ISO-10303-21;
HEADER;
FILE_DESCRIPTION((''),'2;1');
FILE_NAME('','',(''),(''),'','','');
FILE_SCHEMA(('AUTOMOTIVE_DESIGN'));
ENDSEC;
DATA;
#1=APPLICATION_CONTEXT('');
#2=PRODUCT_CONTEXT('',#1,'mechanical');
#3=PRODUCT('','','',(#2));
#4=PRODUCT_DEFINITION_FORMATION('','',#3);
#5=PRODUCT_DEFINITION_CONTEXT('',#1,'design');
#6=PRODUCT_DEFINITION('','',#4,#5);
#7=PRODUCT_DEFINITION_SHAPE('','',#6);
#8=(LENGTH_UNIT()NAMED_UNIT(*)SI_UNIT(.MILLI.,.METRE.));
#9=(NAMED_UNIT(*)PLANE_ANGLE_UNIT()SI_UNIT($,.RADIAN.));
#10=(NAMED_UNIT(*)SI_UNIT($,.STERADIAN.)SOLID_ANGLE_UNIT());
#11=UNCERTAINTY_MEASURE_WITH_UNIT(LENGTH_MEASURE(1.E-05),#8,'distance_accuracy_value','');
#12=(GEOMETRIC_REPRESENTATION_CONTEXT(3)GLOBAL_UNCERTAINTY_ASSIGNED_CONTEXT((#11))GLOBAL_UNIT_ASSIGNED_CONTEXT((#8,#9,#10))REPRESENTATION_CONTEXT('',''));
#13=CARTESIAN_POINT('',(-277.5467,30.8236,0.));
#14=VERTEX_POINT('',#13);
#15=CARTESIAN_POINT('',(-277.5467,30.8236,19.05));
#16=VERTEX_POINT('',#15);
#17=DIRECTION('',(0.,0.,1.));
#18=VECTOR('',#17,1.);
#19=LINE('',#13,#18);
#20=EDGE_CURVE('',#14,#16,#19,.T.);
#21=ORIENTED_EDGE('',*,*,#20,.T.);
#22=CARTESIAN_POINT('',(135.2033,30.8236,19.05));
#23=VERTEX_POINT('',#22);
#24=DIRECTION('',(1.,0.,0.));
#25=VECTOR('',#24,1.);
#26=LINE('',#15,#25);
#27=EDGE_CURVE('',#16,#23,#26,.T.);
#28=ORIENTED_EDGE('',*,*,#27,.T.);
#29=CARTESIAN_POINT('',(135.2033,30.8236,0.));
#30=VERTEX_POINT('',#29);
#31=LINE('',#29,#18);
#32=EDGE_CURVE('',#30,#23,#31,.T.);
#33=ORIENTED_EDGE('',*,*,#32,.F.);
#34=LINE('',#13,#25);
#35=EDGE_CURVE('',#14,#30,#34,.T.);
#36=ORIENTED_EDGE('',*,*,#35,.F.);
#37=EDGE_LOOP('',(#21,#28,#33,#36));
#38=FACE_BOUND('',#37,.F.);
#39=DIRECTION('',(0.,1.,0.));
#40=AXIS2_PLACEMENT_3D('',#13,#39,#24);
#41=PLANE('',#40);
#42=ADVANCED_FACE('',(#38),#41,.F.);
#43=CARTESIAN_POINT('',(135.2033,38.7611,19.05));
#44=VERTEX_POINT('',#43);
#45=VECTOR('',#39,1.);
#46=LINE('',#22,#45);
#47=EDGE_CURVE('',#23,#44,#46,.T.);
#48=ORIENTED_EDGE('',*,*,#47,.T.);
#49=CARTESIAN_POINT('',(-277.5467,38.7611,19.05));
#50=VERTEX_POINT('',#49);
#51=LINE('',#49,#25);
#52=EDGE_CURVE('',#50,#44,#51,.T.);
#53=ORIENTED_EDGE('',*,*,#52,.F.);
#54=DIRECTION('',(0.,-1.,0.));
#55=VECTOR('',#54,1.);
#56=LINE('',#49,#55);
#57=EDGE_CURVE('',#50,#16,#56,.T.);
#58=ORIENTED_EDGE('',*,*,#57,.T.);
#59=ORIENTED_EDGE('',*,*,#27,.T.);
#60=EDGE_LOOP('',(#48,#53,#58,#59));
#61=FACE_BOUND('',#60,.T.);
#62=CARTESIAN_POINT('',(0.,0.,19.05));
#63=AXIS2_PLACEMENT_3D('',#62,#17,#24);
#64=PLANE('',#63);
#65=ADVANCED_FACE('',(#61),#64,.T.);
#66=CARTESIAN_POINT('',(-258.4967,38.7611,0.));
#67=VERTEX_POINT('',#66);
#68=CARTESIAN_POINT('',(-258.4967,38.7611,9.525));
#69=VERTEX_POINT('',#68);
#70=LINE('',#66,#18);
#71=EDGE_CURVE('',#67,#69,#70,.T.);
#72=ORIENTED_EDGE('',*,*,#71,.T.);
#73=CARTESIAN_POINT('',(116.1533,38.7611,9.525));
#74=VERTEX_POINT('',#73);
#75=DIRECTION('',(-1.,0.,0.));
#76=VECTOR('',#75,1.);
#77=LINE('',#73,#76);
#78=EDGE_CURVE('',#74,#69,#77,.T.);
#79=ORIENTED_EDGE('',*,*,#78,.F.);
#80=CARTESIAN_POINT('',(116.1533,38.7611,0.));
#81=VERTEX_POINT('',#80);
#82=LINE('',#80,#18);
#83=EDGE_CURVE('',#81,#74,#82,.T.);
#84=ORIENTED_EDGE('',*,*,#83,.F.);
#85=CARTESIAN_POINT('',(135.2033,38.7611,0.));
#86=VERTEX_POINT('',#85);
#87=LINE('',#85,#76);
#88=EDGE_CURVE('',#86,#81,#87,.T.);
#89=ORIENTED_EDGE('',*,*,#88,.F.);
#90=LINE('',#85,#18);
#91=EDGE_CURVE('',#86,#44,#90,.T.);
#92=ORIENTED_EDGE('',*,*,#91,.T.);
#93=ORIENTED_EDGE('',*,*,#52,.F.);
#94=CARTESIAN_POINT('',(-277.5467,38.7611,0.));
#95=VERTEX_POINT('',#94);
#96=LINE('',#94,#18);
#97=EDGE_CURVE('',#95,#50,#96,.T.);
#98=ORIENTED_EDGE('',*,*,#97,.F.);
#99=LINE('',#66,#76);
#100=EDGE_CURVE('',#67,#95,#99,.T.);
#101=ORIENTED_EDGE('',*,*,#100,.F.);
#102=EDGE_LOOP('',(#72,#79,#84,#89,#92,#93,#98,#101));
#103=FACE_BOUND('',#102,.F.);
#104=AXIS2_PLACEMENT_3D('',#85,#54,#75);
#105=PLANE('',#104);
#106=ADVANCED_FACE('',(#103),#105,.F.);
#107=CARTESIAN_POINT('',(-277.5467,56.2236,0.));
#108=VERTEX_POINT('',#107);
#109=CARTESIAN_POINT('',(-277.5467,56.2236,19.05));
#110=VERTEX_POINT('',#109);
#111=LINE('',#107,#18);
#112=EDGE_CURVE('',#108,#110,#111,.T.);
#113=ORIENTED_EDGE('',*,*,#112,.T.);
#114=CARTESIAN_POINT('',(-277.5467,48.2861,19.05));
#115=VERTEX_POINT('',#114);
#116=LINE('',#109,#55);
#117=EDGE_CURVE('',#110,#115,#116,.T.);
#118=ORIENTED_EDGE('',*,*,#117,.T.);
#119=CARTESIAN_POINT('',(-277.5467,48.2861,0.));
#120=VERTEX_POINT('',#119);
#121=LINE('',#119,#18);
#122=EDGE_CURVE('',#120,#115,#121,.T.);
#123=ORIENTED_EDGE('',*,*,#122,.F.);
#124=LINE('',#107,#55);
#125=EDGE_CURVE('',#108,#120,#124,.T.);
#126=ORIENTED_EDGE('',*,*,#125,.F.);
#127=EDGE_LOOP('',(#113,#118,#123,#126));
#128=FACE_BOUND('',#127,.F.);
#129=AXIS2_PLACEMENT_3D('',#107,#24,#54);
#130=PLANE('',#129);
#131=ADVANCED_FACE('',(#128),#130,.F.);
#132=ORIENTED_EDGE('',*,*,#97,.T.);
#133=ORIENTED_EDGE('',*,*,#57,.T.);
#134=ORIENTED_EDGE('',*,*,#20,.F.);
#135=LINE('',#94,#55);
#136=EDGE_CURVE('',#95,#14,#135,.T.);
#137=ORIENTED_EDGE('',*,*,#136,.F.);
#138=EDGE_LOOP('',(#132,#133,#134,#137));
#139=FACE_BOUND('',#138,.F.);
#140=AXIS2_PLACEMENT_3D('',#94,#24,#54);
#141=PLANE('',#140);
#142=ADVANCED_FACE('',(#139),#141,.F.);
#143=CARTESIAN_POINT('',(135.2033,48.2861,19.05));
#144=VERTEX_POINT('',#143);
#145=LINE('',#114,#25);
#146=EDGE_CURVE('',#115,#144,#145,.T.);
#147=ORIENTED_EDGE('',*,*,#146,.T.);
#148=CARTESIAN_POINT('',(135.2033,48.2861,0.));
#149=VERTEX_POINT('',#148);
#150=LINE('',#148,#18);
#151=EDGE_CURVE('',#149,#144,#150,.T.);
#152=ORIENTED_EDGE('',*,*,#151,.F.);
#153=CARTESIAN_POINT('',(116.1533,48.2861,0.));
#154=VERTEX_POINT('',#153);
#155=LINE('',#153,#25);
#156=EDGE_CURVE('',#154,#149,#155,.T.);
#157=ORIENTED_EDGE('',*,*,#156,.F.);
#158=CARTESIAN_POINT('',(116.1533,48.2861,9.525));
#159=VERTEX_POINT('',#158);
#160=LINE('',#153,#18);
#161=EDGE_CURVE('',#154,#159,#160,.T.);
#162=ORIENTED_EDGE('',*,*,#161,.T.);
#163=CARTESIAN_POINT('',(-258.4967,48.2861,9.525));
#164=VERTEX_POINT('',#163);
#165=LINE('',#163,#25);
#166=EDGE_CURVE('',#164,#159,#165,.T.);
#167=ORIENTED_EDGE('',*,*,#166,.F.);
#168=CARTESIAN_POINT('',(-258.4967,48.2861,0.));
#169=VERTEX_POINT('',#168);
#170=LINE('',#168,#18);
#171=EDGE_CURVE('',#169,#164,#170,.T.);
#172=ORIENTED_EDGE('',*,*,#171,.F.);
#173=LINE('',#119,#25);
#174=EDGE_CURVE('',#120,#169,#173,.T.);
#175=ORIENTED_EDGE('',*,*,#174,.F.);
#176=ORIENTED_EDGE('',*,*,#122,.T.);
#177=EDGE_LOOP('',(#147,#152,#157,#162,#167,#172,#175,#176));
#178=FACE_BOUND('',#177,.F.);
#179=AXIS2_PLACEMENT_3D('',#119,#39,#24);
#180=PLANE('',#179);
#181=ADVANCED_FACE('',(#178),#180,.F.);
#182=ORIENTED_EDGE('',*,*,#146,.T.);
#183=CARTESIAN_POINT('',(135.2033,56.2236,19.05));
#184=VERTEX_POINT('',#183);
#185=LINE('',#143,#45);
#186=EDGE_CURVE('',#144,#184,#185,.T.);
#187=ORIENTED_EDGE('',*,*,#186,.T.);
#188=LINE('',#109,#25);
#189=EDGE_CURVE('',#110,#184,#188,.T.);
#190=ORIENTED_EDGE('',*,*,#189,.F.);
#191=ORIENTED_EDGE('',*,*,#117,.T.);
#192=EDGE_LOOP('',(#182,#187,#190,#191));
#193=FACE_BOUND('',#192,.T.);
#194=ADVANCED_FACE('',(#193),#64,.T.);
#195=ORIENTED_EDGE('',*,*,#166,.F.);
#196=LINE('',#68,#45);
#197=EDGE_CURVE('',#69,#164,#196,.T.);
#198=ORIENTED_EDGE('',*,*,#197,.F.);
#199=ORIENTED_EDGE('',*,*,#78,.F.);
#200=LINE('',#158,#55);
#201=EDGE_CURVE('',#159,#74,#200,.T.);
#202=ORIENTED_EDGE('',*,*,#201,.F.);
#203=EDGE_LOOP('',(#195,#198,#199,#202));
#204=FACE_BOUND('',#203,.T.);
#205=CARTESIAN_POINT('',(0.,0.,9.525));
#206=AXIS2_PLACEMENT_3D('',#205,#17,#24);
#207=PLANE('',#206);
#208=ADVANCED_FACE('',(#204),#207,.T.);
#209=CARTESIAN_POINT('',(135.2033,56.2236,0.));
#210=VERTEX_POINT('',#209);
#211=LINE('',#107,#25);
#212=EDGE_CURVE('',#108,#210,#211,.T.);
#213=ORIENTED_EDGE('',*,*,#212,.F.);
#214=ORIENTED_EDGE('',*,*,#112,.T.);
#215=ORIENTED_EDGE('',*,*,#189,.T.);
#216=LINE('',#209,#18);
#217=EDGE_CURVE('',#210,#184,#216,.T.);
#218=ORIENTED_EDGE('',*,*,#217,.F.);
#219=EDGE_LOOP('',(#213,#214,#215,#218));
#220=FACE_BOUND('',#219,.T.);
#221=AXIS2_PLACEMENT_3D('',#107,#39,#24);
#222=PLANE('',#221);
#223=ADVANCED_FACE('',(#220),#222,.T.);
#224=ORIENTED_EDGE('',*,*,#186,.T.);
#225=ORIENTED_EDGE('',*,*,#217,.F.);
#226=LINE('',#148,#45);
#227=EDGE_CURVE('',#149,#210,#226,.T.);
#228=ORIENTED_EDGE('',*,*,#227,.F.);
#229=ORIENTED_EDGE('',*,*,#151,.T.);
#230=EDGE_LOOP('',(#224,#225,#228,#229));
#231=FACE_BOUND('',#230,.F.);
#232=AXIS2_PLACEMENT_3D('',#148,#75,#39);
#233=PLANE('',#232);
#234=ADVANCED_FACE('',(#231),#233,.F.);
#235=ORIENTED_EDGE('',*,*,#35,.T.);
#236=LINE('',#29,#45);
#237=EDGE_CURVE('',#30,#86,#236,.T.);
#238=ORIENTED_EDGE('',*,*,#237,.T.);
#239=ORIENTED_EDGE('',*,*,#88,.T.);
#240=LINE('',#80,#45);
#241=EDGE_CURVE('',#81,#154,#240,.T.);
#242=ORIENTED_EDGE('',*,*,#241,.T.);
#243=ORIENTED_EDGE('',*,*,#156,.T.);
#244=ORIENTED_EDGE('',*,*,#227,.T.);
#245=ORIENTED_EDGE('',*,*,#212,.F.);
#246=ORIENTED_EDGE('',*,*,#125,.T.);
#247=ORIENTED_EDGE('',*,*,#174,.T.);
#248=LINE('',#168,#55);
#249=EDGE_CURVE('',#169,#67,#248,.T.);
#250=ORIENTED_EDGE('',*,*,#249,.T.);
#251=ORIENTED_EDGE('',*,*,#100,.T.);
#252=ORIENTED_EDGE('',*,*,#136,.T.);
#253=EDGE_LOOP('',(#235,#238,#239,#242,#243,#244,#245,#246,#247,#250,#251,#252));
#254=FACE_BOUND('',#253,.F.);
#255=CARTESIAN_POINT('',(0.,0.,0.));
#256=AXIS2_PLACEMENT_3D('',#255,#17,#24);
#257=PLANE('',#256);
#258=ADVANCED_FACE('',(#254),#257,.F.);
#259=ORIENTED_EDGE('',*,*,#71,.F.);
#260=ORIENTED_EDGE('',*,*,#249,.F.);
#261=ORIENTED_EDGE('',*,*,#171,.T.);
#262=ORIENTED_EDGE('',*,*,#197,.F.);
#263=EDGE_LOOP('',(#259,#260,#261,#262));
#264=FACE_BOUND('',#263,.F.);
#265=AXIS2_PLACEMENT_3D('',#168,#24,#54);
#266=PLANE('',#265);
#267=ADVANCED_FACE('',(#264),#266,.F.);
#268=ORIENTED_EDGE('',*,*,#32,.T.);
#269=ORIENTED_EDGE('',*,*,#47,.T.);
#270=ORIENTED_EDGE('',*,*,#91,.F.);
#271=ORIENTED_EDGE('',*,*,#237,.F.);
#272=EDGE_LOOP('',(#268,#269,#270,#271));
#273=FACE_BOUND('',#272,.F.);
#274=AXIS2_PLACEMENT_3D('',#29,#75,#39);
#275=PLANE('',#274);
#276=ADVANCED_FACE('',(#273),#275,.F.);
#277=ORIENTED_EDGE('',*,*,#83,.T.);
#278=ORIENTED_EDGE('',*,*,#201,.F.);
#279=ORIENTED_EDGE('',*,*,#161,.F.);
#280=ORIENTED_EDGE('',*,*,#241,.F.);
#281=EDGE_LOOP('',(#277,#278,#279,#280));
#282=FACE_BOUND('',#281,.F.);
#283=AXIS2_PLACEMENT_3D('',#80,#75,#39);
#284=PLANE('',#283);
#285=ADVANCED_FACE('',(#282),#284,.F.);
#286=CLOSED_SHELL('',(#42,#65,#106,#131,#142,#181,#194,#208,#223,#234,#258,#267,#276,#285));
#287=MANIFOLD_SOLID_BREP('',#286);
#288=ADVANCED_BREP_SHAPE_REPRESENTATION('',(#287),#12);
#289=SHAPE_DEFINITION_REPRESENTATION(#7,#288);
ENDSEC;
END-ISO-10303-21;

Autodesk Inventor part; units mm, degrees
ref_plane "YZ Plane" through (0, 0, 0) normal (1, 0, 0) x (0, 1, 0)
ref_plane "XZ Plane" through (0, 0, 0) normal (0, 1, 0) x (-1, 0, 0)
ref_plane "XY Plane" through (0, 0, 0) normal (0, 0, 1) x (1, 0, 0)
sketch "Sketch1" plane through (0, 0, 0) normal (0, 0, 1) x (1, 0, 0)
  line L0 (-277.5467, 56.2236) -> (135.2033, 56.2236)
  line L1 (-277.5467, 56.2236) -> (-277.5467, 48.2861)
  line L2 (-277.5467, 48.2861) -> (-258.4967, 48.2861)
  line L3 (-258.4967, 48.2861) -> (-258.4967, 38.7611)
  line L4 (-258.4967, 38.7611) -> (-277.5467, 38.7611)
  line L5 (-277.5467, 38.7611) -> (-277.5467, 30.8236)
  line L6 (-277.5467, 30.8236) -> (135.2033, 30.8236)
  line L7 (135.2033, 30.8236) -> (135.2033, 38.7611)
  line L8 (135.2033, 38.7611) -> (116.1533, 38.7611)
  line L9 (116.1533, 38.7611) -> (116.1533, 48.2861)
  line L10 (116.1533, 48.2861) -> (135.2033, 48.2861)
  line L11 (135.2033, 48.2861) -> (135.2033, 56.2236)
  point P0 (0, 0)
  dimension "d0" = 412.75
  dimension "d1" = 7.9375
  dimension "d2" = 7.9375
  dimension "d3" = 9.525
  dimension "d4" = 7.9375
  dimension "d5" = 9.525
  dimension "d6" = 19.05
  dimension "d7" = 19.05
  dimension "d8" = 19.05
  dimension "d14" = 412.75
extrude "Extrusion1" add sketch "Sketch1" along normal blind 19.05
sketch "Sketch2" plane through (0, 0, 19.05) normal (0, 0, 1) x (1, 0, 0)
  line L0 (-258.4967, 48.2861) -> (116.1533, 48.2861)
  line L1 (116.1533, 48.2861) -> (116.1533, 38.7611)
  line L2 (116.1533, 38.7611) -> (-258.4967, 38.7611)
  line L3 (-258.4967, 38.7611) -> (-258.4967, 48.2861)
  point P0 (0, 0)
extrude "Extrusion2" cut sketch "Sketch2" against normal blind 9.525
equation "\"d14\" = d0"
properties part number "top_cover_end"
